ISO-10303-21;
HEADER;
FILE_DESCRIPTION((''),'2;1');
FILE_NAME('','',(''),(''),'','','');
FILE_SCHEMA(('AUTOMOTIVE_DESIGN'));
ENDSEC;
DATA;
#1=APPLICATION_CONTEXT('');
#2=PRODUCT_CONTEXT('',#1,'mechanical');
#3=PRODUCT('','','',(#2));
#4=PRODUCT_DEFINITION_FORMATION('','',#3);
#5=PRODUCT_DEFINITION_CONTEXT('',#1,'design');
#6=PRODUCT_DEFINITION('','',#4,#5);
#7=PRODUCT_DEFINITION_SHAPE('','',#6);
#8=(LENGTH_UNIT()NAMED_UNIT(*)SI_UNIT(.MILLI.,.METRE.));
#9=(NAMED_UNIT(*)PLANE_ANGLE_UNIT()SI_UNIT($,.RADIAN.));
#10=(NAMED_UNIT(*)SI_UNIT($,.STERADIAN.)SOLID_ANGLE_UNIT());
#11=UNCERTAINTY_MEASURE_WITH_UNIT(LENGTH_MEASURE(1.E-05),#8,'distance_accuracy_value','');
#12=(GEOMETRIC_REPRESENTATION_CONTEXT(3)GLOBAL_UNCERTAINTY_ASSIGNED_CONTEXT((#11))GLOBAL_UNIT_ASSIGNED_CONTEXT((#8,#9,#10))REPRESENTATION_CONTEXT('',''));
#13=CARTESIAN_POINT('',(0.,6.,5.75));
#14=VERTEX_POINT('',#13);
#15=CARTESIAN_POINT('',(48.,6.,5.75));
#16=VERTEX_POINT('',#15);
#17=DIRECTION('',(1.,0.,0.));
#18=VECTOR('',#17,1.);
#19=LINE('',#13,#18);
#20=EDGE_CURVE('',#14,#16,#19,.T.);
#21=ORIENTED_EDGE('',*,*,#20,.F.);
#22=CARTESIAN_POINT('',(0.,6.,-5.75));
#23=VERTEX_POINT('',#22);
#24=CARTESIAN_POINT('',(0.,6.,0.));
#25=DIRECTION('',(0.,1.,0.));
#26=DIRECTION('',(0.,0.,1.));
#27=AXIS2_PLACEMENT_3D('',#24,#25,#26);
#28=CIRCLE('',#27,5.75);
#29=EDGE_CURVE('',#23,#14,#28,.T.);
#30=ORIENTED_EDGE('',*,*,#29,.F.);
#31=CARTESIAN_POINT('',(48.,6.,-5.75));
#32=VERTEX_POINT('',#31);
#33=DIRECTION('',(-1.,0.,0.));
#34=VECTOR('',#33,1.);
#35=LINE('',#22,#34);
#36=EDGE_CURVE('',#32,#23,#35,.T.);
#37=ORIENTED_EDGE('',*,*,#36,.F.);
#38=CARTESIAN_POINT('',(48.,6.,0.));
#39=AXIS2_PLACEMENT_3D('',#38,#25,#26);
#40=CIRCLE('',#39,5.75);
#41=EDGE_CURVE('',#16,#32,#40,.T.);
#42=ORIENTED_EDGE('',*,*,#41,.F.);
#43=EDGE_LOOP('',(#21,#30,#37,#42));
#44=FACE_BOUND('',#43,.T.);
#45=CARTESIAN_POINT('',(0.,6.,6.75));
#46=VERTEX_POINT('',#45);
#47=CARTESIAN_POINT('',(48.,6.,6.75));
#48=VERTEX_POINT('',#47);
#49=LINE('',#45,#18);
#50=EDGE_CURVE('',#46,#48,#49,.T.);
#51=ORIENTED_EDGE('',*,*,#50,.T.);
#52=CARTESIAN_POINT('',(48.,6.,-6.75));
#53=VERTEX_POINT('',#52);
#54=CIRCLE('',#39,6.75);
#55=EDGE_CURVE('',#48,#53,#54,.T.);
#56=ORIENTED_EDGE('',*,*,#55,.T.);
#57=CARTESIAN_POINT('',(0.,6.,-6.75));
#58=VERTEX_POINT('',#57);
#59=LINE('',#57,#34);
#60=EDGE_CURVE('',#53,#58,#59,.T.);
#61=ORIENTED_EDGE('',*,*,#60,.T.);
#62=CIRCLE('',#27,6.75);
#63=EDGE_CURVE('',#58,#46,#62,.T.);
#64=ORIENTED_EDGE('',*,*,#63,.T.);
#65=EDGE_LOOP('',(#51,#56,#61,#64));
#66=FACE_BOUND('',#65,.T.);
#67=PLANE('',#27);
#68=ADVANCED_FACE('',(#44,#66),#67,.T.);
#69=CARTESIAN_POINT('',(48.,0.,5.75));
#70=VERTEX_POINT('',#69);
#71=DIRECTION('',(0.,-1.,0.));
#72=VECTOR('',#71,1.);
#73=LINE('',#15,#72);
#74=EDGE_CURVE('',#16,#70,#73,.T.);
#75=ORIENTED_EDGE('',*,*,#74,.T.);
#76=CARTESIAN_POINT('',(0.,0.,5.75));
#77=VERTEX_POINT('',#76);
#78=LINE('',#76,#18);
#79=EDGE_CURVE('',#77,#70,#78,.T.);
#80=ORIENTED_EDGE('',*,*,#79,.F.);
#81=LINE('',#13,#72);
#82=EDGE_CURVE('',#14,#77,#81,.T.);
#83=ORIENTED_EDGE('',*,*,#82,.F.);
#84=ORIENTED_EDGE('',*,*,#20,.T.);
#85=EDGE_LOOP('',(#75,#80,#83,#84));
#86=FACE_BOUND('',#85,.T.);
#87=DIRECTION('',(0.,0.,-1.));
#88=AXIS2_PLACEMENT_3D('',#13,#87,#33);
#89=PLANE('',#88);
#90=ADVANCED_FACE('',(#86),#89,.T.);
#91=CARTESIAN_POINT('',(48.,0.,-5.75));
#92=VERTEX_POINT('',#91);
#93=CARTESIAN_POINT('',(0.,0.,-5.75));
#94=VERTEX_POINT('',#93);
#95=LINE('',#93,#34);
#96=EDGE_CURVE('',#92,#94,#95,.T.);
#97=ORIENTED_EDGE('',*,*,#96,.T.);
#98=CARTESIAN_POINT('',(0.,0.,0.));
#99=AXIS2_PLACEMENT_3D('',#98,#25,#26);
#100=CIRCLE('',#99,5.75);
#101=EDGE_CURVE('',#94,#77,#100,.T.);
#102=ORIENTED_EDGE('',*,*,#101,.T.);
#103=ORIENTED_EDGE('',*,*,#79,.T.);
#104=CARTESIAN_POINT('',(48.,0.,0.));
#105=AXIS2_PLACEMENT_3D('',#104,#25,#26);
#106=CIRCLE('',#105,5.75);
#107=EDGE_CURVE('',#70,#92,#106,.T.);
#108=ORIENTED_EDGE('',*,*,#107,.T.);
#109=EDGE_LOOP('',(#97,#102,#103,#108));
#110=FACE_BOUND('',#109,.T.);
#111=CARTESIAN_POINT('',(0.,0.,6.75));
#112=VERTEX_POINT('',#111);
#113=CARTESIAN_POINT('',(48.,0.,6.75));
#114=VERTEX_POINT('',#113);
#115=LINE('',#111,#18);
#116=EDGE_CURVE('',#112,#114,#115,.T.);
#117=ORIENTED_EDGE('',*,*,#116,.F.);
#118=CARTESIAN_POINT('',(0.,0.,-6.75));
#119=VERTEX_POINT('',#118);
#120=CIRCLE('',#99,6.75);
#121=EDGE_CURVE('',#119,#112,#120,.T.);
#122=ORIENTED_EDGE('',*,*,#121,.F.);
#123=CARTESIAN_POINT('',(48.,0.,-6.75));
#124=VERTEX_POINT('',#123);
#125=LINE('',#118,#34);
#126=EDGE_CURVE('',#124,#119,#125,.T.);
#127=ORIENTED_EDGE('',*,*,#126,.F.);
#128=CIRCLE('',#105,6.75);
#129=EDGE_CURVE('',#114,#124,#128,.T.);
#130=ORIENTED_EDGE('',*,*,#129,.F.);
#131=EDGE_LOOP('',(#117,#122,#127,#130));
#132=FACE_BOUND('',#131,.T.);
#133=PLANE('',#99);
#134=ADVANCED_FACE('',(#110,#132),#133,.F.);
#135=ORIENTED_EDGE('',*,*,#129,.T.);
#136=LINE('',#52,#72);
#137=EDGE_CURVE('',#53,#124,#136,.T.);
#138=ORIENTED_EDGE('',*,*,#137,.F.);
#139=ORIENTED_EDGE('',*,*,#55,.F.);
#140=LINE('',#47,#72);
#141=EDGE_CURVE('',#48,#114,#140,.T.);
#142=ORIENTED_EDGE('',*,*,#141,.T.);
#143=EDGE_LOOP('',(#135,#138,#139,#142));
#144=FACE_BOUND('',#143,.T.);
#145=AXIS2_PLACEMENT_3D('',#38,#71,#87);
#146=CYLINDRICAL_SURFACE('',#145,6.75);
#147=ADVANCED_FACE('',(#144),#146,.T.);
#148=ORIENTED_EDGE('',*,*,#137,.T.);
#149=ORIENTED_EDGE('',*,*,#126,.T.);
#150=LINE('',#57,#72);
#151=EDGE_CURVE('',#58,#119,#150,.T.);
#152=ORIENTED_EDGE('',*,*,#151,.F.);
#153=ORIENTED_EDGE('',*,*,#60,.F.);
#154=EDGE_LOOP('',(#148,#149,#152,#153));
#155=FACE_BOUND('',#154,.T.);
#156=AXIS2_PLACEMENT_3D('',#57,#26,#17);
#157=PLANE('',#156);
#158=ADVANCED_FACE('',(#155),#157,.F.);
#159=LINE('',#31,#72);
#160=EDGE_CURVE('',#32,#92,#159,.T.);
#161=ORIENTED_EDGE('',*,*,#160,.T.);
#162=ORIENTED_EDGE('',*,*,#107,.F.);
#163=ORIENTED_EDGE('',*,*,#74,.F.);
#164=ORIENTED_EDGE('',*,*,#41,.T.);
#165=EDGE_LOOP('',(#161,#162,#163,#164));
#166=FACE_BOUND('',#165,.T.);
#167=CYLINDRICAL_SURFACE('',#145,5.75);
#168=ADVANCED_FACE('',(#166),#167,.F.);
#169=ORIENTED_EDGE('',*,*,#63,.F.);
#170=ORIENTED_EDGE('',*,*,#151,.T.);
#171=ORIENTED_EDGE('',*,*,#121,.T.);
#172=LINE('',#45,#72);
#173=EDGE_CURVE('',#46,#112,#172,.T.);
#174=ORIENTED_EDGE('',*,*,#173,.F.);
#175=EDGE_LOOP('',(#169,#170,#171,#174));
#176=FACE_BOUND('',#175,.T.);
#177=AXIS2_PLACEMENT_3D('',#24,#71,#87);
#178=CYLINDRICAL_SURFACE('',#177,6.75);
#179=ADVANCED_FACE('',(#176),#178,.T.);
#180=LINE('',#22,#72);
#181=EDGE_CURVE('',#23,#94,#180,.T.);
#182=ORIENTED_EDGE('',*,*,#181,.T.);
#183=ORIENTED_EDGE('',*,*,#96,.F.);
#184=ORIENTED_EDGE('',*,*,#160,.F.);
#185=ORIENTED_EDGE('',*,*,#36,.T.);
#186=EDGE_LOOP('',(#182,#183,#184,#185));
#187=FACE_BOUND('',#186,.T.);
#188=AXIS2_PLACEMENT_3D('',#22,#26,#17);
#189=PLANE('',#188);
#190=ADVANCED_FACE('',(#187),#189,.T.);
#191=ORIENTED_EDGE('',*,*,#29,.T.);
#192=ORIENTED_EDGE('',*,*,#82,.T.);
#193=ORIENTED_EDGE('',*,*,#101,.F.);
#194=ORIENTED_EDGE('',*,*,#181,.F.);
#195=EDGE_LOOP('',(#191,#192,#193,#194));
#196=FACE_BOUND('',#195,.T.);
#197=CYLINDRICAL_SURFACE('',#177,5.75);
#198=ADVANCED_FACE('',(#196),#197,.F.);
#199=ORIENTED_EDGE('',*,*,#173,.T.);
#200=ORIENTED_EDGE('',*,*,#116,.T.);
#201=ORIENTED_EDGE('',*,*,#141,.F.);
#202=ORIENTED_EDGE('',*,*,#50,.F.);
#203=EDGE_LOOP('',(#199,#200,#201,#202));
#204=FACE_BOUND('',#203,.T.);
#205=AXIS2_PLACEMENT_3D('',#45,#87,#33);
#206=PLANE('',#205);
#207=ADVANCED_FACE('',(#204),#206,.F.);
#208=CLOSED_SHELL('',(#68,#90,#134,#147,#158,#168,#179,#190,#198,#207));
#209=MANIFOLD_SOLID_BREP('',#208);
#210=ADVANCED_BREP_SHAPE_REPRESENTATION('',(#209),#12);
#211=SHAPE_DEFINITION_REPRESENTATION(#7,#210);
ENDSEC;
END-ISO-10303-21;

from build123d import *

# Parameters (mm, degrees)
BOSS_EXTRUDE1_DEPTH = 6


with BuildPart() as part:
    # Sketch1 → Boss-Extrude1 (new body)
    with BuildSketch(Plane(origin=(0, 0, 0), x_dir=(1, 0, 0), z_dir=(0, 1, 0))):
        with BuildLine():
            Line((0, 6.75), (48, 6.75))
            ThreePointArc((48, 6.75), (54.75, 0), (48, -6.75))
            Line((48, -6.75), (0, -6.75))
            ThreePointArc((0, -6.75), (-6.75, 0), (0, 6.75))
        make_face()
        with BuildLine():
            Line((0, 5.75), (48, 5.75))
            ThreePointArc((48, 5.75), (53.75, 0), (48, -5.75))
            Line((48, -5.75), (0, -5.75))
            ThreePointArc((0, -5.75), (-5.75, 0), (0, 5.75))
        make_face(mode=Mode.SUBTRACT)
    extrude(amount=BOSS_EXTRUDE1_DEPTH)


solid = part.part
